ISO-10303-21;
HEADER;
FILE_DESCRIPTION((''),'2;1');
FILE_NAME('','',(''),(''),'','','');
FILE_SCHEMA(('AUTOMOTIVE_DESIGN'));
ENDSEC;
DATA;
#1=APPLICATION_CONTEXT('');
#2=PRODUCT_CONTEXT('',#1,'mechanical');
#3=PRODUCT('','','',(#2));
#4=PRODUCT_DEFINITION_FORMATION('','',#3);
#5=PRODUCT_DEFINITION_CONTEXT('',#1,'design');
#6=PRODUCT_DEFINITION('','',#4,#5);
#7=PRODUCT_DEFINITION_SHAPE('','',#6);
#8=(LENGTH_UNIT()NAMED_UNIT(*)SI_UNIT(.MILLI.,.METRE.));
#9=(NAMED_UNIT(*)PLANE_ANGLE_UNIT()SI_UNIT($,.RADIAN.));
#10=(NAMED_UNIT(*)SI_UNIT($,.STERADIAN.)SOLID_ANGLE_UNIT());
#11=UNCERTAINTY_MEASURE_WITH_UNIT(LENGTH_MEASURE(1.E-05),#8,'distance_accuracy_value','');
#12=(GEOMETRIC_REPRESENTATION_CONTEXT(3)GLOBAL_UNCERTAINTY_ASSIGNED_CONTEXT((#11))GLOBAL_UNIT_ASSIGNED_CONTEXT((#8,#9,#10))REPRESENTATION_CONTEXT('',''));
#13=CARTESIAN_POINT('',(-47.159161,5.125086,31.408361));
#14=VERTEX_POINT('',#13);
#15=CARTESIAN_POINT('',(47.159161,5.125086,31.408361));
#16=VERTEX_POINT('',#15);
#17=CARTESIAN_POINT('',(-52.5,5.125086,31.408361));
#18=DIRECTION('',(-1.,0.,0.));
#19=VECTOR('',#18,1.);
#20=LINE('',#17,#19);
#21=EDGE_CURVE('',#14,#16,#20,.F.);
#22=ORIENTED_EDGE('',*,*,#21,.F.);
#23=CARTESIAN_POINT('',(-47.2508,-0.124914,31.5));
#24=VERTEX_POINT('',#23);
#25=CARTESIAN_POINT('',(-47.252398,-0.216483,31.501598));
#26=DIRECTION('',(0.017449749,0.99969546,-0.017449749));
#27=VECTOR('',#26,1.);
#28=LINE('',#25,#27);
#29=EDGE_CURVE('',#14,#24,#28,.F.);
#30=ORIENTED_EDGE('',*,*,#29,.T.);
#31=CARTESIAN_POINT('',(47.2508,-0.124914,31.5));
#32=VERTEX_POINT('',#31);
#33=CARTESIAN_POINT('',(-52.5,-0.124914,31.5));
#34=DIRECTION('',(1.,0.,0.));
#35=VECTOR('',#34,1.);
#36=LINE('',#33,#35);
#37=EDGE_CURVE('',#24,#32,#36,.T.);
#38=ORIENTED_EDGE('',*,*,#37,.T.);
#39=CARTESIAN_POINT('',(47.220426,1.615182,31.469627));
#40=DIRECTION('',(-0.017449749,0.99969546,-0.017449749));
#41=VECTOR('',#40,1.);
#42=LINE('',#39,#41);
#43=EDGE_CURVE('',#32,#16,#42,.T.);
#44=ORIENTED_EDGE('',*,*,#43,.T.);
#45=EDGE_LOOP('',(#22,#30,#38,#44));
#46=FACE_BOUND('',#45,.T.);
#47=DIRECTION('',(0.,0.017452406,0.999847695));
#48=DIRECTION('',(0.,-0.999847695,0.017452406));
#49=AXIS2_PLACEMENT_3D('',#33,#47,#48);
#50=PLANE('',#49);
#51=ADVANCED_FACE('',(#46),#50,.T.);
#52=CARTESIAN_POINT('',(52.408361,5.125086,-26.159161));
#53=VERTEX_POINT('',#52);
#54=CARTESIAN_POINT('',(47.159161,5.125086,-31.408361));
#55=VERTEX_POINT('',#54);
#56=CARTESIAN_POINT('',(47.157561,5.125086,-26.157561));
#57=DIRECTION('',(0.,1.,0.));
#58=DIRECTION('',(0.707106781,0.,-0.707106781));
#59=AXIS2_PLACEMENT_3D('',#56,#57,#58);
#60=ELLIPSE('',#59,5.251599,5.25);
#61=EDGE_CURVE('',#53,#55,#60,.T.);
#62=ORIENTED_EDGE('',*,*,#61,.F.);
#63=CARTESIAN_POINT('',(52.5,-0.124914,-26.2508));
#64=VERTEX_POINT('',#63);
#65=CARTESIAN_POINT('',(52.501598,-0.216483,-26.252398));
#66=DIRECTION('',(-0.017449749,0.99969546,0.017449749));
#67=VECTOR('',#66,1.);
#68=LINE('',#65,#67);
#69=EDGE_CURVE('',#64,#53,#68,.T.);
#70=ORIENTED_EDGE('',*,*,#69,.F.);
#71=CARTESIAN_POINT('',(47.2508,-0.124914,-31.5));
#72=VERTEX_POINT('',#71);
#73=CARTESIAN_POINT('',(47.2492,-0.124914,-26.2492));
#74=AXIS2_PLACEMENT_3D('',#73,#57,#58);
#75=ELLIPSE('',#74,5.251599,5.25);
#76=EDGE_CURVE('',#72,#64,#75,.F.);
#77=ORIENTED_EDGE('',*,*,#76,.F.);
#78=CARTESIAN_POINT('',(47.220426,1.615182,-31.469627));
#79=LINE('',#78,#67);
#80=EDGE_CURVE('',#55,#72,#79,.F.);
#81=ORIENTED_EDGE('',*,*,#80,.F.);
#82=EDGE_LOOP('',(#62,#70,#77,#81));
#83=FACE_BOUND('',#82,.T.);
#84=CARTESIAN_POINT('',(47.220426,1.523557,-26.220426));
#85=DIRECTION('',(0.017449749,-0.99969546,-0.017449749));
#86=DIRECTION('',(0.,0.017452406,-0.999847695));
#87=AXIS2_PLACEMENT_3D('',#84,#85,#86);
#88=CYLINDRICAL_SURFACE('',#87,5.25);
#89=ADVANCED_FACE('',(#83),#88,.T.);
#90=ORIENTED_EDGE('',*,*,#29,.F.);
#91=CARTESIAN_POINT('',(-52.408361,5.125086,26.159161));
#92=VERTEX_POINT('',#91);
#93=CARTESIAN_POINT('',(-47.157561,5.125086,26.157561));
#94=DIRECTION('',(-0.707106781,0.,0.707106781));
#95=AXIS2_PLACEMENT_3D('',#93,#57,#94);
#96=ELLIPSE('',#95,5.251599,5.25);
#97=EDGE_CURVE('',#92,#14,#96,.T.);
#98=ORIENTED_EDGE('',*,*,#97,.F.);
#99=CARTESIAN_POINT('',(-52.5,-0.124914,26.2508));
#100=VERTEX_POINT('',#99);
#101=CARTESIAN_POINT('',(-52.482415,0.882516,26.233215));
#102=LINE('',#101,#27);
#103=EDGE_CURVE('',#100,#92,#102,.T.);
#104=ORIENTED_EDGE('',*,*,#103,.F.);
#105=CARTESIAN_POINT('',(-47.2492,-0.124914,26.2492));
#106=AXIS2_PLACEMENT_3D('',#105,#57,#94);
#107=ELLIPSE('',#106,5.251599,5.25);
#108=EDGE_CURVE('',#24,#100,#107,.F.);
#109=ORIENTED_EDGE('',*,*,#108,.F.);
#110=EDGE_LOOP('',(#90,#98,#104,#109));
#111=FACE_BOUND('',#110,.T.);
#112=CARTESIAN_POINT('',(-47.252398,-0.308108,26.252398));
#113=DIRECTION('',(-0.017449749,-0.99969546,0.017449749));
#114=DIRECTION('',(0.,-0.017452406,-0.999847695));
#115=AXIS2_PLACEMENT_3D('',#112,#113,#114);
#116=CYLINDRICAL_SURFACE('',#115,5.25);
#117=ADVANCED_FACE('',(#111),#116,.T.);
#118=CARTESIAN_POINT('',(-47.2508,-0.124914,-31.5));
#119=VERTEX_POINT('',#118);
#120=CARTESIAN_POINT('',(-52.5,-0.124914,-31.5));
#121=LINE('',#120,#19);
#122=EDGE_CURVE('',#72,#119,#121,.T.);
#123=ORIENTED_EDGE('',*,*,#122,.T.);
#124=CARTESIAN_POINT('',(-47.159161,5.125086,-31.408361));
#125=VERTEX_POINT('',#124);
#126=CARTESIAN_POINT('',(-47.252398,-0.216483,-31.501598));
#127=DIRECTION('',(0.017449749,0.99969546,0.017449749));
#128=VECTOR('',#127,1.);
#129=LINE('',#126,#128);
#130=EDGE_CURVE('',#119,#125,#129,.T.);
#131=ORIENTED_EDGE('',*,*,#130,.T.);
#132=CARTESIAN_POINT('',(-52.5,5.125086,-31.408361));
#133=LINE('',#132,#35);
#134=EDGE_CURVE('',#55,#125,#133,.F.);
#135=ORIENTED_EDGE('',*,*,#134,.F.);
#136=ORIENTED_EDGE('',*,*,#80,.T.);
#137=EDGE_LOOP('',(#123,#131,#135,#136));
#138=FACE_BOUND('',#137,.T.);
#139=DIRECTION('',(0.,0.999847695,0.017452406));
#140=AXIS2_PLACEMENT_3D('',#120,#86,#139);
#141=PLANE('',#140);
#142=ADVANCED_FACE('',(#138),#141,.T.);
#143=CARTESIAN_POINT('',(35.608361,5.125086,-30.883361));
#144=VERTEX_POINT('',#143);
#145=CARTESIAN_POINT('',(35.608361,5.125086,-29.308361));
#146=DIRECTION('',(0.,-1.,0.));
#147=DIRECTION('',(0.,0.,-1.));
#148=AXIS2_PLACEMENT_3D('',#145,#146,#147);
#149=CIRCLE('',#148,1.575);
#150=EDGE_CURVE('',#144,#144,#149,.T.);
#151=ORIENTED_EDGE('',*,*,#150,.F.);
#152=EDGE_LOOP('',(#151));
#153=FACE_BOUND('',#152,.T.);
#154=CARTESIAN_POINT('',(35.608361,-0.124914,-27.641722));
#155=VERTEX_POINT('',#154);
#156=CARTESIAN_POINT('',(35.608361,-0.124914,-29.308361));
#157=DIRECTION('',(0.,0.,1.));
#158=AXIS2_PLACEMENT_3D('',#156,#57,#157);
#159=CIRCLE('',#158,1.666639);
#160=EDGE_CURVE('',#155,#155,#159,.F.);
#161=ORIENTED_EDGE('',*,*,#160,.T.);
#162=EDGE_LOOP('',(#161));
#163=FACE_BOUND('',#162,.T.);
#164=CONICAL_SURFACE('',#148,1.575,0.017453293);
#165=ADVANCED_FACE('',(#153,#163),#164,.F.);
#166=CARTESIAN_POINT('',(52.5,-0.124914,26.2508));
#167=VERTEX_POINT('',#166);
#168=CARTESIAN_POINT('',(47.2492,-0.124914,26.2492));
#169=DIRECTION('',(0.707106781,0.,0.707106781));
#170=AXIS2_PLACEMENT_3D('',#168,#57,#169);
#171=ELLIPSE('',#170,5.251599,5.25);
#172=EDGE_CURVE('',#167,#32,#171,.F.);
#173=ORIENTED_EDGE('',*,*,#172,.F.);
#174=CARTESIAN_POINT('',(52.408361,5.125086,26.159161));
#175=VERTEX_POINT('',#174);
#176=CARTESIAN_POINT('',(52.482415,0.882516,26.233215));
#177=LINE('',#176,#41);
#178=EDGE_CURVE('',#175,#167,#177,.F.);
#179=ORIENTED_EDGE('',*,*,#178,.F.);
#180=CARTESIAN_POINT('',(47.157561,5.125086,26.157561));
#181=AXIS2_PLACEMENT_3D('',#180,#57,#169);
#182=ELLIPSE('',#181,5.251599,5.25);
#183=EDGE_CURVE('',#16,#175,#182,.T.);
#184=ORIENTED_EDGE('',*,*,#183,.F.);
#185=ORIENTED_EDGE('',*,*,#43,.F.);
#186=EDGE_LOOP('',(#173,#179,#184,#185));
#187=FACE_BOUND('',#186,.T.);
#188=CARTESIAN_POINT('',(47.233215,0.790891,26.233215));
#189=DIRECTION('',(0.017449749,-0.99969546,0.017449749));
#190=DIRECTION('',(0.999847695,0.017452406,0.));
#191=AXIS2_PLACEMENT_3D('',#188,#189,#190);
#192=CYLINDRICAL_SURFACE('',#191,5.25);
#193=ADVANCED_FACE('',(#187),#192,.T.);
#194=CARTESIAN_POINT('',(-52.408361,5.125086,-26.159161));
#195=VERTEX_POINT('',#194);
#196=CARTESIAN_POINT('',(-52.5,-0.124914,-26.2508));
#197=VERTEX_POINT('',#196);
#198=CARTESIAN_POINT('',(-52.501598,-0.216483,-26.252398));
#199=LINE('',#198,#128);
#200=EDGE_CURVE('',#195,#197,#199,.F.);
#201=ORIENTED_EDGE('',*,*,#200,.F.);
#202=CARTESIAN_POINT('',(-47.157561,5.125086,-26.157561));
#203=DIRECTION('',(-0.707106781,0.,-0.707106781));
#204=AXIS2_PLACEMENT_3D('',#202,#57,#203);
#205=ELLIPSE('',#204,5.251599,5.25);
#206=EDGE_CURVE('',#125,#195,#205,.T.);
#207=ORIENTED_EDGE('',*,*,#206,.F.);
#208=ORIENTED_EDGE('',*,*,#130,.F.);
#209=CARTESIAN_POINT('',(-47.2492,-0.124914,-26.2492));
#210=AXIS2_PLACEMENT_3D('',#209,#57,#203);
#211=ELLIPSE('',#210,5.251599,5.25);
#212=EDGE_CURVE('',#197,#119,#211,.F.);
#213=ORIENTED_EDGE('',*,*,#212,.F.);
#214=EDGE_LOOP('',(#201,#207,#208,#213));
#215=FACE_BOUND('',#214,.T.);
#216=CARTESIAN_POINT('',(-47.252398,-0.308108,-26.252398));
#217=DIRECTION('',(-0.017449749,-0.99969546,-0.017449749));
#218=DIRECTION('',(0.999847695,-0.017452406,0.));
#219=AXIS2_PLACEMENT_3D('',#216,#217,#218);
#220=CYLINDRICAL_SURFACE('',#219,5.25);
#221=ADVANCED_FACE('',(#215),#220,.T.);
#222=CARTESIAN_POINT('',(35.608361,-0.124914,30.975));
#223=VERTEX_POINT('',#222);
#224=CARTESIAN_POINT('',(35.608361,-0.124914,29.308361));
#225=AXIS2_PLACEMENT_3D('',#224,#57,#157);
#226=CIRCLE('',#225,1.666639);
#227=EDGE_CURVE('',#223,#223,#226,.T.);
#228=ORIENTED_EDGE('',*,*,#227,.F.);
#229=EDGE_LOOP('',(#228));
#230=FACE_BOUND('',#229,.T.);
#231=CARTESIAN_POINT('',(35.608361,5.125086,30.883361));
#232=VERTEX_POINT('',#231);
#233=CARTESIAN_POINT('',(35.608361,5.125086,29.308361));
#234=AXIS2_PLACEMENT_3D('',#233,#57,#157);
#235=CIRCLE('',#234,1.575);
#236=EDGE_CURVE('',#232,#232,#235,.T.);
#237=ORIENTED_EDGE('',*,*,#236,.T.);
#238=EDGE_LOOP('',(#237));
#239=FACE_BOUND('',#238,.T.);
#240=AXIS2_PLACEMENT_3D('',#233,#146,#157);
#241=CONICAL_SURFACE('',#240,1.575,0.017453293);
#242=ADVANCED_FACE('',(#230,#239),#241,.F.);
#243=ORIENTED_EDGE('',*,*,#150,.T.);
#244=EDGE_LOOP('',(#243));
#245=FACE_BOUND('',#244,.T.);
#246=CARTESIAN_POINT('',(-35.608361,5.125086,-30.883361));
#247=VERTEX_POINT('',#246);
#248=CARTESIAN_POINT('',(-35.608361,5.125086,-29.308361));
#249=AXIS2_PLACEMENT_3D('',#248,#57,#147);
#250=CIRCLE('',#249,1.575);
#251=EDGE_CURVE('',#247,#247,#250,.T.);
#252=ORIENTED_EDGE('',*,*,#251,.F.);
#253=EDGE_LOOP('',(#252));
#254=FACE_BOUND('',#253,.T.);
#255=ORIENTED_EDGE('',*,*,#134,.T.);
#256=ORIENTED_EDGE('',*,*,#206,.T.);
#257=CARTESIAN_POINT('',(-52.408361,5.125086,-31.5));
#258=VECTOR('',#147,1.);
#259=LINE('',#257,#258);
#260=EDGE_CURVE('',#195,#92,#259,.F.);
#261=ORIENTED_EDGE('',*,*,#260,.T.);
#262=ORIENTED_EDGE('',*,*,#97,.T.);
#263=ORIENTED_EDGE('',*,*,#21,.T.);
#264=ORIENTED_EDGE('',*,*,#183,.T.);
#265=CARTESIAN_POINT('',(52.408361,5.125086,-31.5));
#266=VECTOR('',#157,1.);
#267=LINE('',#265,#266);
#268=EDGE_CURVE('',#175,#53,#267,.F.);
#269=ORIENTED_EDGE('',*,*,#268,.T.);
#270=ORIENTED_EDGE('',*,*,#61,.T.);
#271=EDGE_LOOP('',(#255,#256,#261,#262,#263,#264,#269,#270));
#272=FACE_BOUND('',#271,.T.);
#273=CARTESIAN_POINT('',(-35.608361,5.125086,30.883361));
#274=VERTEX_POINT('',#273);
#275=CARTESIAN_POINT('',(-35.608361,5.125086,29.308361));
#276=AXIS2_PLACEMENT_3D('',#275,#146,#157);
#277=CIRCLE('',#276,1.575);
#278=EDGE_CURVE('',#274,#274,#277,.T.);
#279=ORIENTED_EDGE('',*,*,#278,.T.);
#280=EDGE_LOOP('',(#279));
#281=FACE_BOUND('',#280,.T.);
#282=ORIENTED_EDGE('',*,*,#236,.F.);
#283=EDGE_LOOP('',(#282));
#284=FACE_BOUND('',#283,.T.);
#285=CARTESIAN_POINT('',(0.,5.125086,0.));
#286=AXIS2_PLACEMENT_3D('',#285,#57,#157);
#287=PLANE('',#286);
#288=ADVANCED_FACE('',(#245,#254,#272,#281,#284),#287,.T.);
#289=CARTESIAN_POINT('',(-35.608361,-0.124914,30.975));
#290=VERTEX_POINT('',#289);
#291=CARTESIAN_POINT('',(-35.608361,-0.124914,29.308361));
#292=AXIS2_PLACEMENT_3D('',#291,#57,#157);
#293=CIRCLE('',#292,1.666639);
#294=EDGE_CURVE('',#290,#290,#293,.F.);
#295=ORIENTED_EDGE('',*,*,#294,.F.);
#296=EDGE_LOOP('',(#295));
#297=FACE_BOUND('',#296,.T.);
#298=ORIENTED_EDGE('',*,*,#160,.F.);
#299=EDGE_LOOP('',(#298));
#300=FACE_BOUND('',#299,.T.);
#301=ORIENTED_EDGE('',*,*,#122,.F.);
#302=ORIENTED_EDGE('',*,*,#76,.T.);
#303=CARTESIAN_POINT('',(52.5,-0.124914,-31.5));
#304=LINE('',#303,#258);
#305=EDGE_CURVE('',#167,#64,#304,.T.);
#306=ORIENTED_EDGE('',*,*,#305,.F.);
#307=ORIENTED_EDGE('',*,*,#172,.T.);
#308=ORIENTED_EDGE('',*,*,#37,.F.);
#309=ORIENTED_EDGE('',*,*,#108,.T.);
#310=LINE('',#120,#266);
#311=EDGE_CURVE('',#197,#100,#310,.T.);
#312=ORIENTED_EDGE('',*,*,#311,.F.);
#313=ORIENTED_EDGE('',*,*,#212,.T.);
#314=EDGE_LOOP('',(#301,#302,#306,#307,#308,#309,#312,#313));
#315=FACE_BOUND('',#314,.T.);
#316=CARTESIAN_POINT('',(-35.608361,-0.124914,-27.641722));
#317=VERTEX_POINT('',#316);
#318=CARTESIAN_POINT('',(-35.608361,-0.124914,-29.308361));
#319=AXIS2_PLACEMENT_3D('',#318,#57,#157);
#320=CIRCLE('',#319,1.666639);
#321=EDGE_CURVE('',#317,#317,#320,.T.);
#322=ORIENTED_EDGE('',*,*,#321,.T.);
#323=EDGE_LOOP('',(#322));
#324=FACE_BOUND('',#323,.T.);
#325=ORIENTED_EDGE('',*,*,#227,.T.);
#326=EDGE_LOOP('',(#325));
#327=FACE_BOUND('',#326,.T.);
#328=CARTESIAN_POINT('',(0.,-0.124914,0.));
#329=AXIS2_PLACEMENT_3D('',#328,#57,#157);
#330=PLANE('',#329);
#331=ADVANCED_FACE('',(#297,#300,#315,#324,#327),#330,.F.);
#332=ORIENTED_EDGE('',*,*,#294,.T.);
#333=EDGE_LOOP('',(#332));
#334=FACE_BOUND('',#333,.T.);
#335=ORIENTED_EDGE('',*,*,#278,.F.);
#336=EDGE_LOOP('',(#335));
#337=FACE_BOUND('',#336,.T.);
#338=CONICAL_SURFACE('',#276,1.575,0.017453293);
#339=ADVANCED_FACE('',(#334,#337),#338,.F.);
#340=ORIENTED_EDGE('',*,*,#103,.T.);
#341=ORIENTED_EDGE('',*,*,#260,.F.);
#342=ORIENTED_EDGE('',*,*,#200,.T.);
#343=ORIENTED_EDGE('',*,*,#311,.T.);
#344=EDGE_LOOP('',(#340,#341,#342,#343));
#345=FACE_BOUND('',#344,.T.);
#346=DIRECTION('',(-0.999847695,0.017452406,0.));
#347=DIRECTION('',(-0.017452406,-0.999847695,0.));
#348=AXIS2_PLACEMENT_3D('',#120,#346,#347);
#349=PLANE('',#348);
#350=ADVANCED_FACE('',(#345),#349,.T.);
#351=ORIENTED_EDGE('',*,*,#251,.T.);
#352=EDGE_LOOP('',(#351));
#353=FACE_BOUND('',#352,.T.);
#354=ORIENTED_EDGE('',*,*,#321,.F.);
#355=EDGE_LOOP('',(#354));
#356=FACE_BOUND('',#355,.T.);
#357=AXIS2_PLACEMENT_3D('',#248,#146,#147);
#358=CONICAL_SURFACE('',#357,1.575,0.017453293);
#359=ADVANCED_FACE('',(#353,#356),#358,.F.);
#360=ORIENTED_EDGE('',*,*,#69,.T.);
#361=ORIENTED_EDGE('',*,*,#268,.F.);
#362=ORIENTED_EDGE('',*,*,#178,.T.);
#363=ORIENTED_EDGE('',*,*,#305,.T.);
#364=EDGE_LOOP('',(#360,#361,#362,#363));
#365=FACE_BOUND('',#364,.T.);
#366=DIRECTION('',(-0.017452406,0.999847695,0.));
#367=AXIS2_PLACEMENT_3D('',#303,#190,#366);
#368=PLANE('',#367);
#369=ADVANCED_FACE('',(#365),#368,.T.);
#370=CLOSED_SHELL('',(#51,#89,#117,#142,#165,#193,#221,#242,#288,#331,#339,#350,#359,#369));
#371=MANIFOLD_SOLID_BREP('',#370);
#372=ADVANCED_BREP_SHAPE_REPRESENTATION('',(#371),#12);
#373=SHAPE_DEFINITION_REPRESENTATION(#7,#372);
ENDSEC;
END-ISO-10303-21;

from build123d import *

# Parameters (mm, degrees)
SKETCH1_W               = 100
SKETCH1_H               = 60
BOSS_EXTRUDE1_DEPTH     = 5
BOSS_EXTRUDE1_TAPER     = 1
FILLET1_R               = 5
SKETCH2_R               = 1.5
CUT_EXTRUDE1_DEPTH      = 5
CUT_EXTRUDE1_TAPER      = -1
MIRROR2_COPY_1_SKETCH_R = 1.5
MIRROR2_COPY_1_DEPTH    = 5
MIRROR2_COPY_1_TAPER    = -1
SCALE1_SCALE            = 1.05


with BuildPart() as part:
    # Sketch1 → Boss-Extrude1 (new body)
    with BuildSketch(Plane(origin=(0, 0, 0), x_dir=(1, 0, 0), z_dir=(0, 1, 0))):
        Rectangle(SKETCH1_W, SKETCH1_H)
    extrude(amount=BOSS_EXTRUDE1_DEPTH, taper=BOSS_EXTRUDE1_TAPER)

    # Fillet1
    fillet1_edges = [part.edges().sort_by_distance(p)[0] for p in [
        (49.956362338, 2.5, 29.956362338),
        (-49.956362338, 2.5, 29.956362338),
        (-49.956362338, 2.5, -29.956362338),
        (49.956362338, 2.5, -29.956362338),
    ]]
    fillet(fillet1_edges, radius=FILLET1_R)

    # Sketch2 → Cut-Extrude1 (cut)
    with BuildSketch(Plane(origin=(0, 5, 0), x_dir=(1, 0, 0), z_dir=(0, 1, 0))):
        with Locations((33.912724675, -27.912724675)):
            Circle(SKETCH2_R)
    cut_extrude1 = extrude(amount=-CUT_EXTRUDE1_DEPTH, taper=CUT_EXTRUDE1_TAPER, mode=Mode.SUBTRACT)

    # Mirror1: Cut-Extrude1 across plane
    add(cut_extrude1.mirror(Plane.XY), mode=Mode.SUBTRACT)

    # Mirror2: Cut-Extrude1 across plane
    add(cut_extrude1.mirror(Plane(origin=(0, 0, 0), x_dir=(0, 0, 1), z_dir=(1, 0, 0))), mode=Mode.SUBTRACT)

    # Mirror2 copy 1 sketch → Mirror2 copy 1 (cut)
    with BuildSketch(Plane(origin=(0, 5, 0), x_dir=(-1, 0, 0), z_dir=(0, 1, 0))):
        with Locations((33.912724675, -27.912724675)):
            Circle(MIRROR2_COPY_1_SKETCH_R)
    extrude(amount=-MIRROR2_COPY_1_DEPTH, taper=MIRROR2_COPY_1_TAPER, mode=Mode.SUBTRACT)


with BuildPart() as part_1:
    # Scale1: scaled about (-4.1e-08, 2.498279052, 6.8e-08)
    add(part.part.scale(SCALE1_SCALE).moved(Location((2e-09, -0.124913953, -3e-09))))


solid = part_1.part
